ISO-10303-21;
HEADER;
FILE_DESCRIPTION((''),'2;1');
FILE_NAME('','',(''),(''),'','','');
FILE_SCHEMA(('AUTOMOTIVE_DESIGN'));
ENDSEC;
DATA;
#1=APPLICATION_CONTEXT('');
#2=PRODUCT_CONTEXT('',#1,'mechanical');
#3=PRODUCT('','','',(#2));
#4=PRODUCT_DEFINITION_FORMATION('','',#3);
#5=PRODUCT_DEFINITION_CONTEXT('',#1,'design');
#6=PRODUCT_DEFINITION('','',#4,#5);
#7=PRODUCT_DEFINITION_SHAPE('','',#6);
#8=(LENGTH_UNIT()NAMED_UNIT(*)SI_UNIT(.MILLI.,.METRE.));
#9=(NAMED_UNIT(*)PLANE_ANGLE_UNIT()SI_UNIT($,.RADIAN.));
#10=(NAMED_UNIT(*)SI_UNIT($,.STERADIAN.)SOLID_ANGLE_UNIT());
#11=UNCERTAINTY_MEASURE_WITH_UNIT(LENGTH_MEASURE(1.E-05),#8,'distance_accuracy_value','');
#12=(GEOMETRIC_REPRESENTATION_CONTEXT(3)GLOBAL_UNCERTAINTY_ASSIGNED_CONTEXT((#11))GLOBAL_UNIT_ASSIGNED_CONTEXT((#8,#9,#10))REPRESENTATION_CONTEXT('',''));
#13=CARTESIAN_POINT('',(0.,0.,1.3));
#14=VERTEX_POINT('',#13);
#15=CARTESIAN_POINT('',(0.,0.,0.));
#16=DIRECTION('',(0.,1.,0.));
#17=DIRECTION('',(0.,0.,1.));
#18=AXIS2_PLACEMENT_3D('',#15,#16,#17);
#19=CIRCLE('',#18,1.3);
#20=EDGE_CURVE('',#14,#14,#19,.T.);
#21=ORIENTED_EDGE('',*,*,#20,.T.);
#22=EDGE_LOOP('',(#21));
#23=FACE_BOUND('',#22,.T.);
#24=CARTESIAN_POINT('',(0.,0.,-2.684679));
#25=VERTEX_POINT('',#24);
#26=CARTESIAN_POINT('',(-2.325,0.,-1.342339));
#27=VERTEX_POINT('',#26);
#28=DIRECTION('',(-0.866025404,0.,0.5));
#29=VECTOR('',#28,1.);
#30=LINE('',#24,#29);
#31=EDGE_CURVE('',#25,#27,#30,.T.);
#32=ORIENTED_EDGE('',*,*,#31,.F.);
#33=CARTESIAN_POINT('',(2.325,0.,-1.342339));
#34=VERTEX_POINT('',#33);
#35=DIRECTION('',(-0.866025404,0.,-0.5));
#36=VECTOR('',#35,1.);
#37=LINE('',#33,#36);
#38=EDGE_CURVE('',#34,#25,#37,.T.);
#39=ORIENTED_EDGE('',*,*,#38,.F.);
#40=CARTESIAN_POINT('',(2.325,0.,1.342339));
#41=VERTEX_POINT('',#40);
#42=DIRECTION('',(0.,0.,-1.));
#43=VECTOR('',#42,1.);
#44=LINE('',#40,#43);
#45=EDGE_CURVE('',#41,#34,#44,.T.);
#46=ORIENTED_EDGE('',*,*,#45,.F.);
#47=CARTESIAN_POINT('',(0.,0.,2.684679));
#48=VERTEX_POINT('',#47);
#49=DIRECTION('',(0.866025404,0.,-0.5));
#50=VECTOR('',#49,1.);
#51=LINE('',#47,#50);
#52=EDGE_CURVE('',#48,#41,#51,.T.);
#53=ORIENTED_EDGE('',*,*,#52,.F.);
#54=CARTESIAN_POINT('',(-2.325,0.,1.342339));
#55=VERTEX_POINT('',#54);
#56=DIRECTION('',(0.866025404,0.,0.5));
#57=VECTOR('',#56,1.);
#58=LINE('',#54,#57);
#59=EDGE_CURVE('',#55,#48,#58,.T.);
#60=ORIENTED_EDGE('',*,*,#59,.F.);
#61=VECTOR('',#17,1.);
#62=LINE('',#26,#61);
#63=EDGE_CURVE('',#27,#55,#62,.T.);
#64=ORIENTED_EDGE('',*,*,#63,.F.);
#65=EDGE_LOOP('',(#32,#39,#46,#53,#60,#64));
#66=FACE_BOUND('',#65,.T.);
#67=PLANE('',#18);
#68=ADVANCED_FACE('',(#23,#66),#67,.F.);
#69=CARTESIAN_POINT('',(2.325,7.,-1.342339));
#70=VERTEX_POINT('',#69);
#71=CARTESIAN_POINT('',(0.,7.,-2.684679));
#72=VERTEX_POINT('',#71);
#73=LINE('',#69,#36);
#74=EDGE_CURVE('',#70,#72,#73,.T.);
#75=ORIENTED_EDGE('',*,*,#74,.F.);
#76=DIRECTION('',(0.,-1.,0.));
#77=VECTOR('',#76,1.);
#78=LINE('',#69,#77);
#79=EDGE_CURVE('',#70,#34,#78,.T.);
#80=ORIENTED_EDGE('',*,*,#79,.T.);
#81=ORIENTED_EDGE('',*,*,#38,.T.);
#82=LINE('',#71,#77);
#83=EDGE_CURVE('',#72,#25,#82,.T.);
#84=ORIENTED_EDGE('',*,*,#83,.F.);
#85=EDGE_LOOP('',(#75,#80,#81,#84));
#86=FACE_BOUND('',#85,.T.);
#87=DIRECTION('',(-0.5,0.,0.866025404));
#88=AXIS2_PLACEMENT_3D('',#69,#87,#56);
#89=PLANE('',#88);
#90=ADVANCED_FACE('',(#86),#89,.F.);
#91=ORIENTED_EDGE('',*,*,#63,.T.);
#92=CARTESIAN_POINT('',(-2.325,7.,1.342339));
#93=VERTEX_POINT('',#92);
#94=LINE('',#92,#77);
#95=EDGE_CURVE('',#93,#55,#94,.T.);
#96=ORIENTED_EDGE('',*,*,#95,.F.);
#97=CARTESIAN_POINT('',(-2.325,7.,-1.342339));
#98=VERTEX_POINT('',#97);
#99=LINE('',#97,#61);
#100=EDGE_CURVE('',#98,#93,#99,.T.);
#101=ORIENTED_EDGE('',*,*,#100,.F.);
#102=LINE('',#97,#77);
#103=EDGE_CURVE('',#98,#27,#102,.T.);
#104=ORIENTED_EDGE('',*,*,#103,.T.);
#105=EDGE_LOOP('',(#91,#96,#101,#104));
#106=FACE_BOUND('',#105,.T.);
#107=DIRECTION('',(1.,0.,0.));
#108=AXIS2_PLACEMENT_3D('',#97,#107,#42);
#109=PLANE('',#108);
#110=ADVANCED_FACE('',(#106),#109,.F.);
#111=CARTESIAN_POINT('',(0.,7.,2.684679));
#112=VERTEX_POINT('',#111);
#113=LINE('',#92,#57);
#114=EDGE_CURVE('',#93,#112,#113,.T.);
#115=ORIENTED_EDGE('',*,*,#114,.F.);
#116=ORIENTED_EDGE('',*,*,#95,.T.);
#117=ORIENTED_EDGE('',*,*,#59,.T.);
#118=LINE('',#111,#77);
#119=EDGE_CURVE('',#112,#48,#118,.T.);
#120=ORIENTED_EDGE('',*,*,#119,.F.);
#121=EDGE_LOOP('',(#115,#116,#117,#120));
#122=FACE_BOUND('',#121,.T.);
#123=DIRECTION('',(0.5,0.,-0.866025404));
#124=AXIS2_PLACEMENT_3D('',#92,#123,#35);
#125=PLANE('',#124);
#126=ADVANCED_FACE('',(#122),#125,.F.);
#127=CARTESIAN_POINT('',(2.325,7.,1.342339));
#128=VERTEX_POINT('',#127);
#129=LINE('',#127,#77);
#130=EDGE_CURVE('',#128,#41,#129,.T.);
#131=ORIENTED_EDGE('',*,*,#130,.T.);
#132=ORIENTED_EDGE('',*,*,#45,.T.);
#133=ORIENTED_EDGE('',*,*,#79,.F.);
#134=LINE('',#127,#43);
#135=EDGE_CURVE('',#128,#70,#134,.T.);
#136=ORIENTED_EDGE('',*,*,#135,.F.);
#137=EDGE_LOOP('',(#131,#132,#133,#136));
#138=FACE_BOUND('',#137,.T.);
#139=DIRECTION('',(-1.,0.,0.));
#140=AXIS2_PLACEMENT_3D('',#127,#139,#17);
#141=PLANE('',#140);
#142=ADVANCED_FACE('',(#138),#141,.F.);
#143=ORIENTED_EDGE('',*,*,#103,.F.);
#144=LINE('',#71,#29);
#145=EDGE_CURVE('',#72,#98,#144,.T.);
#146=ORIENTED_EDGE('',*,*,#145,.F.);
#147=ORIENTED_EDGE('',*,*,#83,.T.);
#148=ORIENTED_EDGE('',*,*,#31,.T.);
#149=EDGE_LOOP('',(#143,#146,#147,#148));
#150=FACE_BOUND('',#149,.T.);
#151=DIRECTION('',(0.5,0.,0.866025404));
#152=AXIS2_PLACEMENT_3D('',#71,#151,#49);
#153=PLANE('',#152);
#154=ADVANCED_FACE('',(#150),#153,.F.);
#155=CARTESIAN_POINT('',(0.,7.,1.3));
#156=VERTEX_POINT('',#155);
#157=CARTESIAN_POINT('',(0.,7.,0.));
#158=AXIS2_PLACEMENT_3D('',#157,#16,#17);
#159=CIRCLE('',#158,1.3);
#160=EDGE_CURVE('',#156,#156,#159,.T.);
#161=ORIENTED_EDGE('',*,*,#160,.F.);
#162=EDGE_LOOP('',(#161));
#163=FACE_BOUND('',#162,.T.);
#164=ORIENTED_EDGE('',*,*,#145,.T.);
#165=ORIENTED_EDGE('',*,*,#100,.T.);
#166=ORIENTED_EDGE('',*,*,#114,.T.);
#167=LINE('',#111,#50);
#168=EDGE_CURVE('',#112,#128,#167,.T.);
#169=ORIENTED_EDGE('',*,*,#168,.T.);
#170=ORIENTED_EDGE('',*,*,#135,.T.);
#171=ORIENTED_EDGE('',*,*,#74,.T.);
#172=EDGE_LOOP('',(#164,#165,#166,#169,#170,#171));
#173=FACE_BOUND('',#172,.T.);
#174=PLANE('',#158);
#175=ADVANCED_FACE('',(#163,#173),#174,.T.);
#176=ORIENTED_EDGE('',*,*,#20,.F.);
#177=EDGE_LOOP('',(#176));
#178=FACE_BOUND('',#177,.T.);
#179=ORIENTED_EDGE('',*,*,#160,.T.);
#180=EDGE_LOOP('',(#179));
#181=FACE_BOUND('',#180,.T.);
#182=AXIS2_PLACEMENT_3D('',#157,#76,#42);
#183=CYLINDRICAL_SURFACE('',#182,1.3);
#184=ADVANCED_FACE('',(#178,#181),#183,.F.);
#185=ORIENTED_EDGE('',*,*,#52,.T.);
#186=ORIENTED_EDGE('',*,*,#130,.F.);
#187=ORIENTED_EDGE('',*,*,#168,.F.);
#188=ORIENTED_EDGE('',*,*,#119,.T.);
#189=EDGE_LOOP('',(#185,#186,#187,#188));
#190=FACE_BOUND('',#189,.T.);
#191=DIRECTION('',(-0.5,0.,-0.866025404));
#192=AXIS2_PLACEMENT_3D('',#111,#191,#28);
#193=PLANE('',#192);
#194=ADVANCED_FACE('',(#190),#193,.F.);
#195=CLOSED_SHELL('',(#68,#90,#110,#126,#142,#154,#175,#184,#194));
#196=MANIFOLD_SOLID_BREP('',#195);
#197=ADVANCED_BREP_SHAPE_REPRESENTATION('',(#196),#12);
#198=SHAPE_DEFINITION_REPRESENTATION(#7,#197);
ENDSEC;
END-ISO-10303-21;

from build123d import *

# Parameters (mm, degrees)
SKETCH1_R   = 1.3
SHAPE_DEPTH = 7


with BuildPart() as part:
    # Sketch1 → Shape (new body)
    with BuildSketch(Plane(origin=(0, 0, 0), x_dir=(1, 0, 0), z_dir=(0, 1, 0))):
        Polygon((0, -2.684678752), (2.325, -1.342339376), (2.325, 1.342339376), (0, 2.684678752), (-2.325, 1.342339376), (-2.325, -1.342339376), align=None)
        with Locations(Location((0, 0, 0), (0, 0, 270))):
            Circle(SKETCH1_R, mode=Mode.SUBTRACT)
    extrude(amount=SHAPE_DEPTH)


solid = part.part
